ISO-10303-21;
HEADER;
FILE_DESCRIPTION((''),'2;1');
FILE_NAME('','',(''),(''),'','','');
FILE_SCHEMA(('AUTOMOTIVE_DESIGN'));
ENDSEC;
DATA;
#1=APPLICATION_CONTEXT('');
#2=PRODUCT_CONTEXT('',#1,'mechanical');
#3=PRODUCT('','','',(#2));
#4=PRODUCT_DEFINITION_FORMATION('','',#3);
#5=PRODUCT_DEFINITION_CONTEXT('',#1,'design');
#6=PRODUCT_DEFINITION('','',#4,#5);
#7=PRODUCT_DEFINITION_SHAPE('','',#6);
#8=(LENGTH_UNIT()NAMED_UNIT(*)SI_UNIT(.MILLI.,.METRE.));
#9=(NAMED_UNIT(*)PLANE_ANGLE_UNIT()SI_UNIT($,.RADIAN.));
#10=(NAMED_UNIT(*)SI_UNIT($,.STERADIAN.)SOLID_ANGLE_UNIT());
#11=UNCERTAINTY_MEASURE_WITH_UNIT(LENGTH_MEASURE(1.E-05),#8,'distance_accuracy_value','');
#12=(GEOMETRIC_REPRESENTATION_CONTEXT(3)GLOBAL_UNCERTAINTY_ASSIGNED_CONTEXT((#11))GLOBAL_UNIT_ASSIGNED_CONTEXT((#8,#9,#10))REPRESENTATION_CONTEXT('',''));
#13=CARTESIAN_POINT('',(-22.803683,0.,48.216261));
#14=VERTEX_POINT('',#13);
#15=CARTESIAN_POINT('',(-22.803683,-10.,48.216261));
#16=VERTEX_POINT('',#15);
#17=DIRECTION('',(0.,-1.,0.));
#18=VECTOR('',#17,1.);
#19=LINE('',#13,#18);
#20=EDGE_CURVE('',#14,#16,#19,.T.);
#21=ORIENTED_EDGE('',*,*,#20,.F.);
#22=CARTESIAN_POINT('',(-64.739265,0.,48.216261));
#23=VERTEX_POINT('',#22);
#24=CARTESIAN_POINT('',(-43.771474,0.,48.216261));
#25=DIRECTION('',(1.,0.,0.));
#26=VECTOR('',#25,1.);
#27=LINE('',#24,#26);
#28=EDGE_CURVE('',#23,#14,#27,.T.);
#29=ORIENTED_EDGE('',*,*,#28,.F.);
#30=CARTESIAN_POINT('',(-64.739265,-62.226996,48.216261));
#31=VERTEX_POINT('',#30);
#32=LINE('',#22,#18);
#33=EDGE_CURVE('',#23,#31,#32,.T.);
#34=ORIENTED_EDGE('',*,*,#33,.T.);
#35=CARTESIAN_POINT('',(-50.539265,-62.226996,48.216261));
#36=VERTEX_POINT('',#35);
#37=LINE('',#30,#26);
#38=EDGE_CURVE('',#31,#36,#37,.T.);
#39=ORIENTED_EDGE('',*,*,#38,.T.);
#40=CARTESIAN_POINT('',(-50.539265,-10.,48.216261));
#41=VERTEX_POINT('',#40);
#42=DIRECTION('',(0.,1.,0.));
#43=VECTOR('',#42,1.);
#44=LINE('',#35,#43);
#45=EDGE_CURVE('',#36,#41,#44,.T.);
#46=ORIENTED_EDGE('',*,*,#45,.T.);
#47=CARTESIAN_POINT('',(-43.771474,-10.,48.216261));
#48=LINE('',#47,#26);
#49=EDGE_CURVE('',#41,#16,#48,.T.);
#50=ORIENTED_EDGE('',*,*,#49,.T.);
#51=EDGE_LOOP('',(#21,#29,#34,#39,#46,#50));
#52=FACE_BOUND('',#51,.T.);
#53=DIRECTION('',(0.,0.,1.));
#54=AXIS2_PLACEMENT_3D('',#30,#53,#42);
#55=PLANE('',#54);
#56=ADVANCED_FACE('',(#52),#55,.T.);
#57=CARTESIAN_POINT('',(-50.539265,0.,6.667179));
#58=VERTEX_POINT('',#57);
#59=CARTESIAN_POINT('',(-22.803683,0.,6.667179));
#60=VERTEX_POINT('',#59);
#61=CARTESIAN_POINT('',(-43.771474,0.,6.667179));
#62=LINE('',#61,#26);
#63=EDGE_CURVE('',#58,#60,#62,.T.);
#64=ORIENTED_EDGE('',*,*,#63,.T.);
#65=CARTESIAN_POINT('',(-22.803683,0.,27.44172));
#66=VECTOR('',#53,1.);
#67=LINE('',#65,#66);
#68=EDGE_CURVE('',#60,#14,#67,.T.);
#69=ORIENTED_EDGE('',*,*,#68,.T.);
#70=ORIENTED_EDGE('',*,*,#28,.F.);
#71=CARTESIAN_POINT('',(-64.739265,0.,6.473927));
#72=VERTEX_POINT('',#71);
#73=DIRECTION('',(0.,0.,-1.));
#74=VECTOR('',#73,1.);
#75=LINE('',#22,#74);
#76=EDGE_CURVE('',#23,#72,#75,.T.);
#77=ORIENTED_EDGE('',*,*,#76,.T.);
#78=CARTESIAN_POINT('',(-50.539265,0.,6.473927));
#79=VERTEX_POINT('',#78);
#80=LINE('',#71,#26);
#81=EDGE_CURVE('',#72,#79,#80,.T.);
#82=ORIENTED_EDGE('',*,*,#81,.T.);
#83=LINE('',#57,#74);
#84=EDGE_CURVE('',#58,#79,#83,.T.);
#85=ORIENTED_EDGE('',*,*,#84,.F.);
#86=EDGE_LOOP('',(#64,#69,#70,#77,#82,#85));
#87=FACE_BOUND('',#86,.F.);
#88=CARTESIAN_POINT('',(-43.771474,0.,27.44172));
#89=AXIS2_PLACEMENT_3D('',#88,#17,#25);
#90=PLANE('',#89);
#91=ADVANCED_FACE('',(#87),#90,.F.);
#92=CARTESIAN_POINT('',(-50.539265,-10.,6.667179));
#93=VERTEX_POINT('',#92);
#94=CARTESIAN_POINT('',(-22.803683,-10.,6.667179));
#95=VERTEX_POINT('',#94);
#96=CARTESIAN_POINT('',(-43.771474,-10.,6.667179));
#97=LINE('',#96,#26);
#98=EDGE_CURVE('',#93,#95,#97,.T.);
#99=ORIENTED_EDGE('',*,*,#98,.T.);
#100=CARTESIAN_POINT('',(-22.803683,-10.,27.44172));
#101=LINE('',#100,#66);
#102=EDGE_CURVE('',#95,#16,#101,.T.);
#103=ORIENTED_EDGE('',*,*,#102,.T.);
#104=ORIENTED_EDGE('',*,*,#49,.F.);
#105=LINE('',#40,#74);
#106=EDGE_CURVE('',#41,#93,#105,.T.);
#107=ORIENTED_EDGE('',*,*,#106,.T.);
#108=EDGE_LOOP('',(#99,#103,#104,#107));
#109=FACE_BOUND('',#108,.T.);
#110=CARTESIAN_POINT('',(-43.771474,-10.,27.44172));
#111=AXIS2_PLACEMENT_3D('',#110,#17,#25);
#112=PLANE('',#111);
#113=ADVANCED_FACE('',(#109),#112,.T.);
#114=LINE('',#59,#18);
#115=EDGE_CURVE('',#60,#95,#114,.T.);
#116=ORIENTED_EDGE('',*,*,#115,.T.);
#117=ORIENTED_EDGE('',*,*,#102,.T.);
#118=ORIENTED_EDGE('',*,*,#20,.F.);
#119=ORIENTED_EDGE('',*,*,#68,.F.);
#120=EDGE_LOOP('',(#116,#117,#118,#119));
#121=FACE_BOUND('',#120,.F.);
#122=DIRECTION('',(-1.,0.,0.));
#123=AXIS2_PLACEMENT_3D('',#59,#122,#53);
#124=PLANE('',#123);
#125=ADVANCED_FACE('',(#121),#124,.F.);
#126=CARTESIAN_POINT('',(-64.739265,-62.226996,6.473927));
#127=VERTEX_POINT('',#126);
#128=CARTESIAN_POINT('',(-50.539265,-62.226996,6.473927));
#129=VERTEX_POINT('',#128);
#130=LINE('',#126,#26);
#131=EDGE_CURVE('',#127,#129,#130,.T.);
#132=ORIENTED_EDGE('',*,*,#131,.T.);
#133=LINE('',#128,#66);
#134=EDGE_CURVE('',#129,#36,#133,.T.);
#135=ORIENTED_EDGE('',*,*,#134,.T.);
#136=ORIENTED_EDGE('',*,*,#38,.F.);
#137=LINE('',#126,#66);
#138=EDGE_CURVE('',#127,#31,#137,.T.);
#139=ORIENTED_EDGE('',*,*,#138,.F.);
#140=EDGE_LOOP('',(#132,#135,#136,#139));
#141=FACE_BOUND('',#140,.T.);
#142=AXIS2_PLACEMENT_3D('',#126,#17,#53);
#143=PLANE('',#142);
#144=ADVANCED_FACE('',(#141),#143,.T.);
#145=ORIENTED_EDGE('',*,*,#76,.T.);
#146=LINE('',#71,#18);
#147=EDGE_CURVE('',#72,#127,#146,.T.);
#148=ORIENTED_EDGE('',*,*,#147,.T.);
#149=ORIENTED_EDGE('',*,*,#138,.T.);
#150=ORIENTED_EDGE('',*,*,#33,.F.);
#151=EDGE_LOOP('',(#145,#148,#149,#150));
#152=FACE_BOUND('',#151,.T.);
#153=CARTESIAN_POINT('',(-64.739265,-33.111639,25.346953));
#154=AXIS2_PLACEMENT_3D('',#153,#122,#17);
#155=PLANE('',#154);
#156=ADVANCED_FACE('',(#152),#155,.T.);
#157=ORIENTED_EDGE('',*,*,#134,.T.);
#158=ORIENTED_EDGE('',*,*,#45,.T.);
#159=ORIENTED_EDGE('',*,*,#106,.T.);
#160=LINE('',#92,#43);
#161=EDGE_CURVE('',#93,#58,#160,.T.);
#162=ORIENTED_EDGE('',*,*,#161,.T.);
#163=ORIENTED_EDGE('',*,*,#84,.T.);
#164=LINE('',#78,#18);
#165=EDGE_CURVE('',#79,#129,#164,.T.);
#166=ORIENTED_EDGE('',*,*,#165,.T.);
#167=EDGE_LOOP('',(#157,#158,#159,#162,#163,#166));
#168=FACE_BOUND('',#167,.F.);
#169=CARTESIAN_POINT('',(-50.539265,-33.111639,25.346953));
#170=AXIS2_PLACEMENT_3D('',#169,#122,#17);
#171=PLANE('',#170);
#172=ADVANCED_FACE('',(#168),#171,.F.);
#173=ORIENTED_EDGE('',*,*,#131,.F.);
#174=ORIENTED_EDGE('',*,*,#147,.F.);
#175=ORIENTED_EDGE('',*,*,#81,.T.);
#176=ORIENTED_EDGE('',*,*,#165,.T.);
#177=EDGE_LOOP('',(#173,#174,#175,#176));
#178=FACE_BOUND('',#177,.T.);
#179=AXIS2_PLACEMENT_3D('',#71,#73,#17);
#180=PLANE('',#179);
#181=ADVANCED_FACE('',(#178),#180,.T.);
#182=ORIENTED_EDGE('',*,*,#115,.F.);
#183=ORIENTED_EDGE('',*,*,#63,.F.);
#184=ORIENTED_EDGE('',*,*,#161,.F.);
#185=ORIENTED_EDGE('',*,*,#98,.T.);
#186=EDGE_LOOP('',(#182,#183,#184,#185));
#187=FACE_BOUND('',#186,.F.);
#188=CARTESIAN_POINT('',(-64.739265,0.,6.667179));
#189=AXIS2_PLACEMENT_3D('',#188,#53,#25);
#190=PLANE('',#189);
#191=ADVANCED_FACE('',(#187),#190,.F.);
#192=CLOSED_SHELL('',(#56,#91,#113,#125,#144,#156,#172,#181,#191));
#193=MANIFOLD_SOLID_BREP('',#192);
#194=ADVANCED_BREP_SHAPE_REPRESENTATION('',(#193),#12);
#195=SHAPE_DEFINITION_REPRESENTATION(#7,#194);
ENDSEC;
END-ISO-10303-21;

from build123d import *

# Parameters (mm, degrees)
F0_W     = 41.935582
F0_H     = 41.549082
F1_DEPTH = 10
F3_DEPTH = 14.2


with BuildPart() as f1:
    # F0 (on Front) → F1 (new body)
    with BuildSketch(Plane.XZ):
        with Locations((-43.771474, 27.44172)):
            Rectangle(F0_W, F0_H)
    extrude(amount=F1_DEPTH)

    # F2 (on face) → F3 (join)
    with BuildSketch(Plane(origin=(-64.739265, 0, 0), x_dir=(0, -1, 0), z_dir=(-1, 0, 0))):
        Polygon((62.226996, 48.216261), (10, 48.216261), (10, 6.667179), (0, 6.667179), (0, 6.473927), (62.226996, 6.473927), align=None)
    extrude(amount=-F3_DEPTH)


solid = f1.part
